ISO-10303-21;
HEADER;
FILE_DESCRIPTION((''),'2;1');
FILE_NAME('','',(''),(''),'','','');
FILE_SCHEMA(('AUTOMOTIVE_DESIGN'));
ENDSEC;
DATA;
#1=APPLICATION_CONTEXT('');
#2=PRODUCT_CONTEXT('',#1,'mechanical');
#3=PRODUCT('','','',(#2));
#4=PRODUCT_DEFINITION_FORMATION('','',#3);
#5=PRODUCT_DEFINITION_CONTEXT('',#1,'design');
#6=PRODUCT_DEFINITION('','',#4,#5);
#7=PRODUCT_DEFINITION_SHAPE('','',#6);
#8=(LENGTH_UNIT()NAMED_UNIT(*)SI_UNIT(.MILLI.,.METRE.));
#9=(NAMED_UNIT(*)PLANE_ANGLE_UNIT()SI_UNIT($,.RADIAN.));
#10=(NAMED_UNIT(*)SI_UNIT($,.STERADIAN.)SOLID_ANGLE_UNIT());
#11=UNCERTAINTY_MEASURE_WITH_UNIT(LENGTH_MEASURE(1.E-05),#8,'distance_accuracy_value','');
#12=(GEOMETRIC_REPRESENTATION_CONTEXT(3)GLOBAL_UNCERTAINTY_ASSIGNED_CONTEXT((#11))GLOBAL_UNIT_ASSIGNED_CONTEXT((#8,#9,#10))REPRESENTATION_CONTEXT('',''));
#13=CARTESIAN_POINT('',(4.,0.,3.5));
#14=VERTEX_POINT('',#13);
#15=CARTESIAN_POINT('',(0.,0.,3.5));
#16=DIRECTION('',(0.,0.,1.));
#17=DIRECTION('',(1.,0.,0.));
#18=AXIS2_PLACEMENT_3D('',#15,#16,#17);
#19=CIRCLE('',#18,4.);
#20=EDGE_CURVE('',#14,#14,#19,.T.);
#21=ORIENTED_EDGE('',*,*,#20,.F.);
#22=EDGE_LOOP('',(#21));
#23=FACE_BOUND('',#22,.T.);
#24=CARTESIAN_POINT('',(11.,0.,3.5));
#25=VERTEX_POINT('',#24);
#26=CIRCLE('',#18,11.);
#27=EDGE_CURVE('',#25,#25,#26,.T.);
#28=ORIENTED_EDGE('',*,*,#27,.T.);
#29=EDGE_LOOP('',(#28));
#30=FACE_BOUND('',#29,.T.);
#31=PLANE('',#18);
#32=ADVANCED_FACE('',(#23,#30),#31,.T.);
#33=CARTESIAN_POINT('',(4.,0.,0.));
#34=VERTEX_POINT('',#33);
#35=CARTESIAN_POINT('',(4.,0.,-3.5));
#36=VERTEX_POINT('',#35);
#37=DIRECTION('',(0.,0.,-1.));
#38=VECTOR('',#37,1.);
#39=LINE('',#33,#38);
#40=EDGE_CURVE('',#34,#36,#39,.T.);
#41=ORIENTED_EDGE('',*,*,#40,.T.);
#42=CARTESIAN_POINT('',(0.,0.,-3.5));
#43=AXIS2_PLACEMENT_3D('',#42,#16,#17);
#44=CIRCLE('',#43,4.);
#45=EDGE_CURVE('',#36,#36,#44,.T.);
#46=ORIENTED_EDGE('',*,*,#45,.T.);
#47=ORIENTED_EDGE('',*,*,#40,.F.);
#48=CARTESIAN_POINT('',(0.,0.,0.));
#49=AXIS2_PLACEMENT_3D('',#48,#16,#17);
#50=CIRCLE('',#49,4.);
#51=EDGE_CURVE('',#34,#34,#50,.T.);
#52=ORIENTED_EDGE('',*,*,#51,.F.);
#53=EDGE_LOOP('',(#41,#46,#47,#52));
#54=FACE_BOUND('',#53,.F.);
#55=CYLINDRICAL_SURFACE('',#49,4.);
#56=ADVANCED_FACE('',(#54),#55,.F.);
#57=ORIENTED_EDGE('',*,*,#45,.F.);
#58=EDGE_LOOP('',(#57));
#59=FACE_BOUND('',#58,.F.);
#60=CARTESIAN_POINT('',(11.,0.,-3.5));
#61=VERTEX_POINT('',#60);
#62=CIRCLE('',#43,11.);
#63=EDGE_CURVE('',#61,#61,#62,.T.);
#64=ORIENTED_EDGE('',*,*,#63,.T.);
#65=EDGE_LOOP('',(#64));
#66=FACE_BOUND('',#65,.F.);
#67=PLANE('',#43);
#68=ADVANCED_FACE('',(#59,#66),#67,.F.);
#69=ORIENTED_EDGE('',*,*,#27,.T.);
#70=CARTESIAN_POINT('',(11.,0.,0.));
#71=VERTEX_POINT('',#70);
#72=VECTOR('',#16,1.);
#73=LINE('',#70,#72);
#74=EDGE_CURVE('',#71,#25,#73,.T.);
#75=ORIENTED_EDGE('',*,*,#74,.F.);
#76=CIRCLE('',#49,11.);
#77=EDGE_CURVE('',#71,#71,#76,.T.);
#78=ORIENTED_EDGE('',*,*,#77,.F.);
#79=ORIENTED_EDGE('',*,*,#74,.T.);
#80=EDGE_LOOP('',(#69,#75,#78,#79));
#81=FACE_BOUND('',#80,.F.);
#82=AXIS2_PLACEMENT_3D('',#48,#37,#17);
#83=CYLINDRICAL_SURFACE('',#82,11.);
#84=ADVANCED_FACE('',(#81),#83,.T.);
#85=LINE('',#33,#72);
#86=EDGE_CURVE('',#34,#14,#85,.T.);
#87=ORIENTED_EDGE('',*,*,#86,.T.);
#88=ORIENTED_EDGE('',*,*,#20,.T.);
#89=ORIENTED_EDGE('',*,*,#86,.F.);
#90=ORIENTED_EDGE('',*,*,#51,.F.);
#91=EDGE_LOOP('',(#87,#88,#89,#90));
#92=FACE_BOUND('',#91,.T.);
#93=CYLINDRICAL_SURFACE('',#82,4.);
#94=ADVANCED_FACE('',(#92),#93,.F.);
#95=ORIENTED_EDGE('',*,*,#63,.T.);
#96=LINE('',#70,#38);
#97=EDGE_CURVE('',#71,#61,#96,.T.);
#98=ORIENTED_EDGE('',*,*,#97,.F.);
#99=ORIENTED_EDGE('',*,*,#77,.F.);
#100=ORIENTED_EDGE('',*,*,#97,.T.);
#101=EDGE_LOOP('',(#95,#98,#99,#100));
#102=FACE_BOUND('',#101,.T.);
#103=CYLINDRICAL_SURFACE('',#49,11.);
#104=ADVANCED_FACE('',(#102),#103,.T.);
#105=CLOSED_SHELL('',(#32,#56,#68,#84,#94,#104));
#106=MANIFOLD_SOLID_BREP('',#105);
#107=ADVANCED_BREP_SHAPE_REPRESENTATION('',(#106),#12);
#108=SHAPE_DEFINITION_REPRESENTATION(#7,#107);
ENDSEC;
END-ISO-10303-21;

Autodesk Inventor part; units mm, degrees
ref_plane "YZ Plane" through (0, 0, 0) normal (1, 0, 0) x (0, 1, 0)
ref_plane "XZ Plane" through (0, 0, 0) normal (0, 1, 0) x (-1, 0, 0)
ref_plane "XY Plane" through (0, 0, 0) normal (0, 0, 1) x (1, 0, 0)
sketch "Эскиз1" plane through (0, 0, 0) normal (0, 0, 1) x (1, 0, 0)
  circle A0 centre (0, 0) radius 4
  circle A1 centre (0, 0) radius 11
  dimension "d0" = 8
  dimension "d1" = 22
extrude "Выдавливание1" add sketch "Эскиз1" along normal mid plane 7
properties part number "Abec 7 608 zz" material "По умолчанию1"
